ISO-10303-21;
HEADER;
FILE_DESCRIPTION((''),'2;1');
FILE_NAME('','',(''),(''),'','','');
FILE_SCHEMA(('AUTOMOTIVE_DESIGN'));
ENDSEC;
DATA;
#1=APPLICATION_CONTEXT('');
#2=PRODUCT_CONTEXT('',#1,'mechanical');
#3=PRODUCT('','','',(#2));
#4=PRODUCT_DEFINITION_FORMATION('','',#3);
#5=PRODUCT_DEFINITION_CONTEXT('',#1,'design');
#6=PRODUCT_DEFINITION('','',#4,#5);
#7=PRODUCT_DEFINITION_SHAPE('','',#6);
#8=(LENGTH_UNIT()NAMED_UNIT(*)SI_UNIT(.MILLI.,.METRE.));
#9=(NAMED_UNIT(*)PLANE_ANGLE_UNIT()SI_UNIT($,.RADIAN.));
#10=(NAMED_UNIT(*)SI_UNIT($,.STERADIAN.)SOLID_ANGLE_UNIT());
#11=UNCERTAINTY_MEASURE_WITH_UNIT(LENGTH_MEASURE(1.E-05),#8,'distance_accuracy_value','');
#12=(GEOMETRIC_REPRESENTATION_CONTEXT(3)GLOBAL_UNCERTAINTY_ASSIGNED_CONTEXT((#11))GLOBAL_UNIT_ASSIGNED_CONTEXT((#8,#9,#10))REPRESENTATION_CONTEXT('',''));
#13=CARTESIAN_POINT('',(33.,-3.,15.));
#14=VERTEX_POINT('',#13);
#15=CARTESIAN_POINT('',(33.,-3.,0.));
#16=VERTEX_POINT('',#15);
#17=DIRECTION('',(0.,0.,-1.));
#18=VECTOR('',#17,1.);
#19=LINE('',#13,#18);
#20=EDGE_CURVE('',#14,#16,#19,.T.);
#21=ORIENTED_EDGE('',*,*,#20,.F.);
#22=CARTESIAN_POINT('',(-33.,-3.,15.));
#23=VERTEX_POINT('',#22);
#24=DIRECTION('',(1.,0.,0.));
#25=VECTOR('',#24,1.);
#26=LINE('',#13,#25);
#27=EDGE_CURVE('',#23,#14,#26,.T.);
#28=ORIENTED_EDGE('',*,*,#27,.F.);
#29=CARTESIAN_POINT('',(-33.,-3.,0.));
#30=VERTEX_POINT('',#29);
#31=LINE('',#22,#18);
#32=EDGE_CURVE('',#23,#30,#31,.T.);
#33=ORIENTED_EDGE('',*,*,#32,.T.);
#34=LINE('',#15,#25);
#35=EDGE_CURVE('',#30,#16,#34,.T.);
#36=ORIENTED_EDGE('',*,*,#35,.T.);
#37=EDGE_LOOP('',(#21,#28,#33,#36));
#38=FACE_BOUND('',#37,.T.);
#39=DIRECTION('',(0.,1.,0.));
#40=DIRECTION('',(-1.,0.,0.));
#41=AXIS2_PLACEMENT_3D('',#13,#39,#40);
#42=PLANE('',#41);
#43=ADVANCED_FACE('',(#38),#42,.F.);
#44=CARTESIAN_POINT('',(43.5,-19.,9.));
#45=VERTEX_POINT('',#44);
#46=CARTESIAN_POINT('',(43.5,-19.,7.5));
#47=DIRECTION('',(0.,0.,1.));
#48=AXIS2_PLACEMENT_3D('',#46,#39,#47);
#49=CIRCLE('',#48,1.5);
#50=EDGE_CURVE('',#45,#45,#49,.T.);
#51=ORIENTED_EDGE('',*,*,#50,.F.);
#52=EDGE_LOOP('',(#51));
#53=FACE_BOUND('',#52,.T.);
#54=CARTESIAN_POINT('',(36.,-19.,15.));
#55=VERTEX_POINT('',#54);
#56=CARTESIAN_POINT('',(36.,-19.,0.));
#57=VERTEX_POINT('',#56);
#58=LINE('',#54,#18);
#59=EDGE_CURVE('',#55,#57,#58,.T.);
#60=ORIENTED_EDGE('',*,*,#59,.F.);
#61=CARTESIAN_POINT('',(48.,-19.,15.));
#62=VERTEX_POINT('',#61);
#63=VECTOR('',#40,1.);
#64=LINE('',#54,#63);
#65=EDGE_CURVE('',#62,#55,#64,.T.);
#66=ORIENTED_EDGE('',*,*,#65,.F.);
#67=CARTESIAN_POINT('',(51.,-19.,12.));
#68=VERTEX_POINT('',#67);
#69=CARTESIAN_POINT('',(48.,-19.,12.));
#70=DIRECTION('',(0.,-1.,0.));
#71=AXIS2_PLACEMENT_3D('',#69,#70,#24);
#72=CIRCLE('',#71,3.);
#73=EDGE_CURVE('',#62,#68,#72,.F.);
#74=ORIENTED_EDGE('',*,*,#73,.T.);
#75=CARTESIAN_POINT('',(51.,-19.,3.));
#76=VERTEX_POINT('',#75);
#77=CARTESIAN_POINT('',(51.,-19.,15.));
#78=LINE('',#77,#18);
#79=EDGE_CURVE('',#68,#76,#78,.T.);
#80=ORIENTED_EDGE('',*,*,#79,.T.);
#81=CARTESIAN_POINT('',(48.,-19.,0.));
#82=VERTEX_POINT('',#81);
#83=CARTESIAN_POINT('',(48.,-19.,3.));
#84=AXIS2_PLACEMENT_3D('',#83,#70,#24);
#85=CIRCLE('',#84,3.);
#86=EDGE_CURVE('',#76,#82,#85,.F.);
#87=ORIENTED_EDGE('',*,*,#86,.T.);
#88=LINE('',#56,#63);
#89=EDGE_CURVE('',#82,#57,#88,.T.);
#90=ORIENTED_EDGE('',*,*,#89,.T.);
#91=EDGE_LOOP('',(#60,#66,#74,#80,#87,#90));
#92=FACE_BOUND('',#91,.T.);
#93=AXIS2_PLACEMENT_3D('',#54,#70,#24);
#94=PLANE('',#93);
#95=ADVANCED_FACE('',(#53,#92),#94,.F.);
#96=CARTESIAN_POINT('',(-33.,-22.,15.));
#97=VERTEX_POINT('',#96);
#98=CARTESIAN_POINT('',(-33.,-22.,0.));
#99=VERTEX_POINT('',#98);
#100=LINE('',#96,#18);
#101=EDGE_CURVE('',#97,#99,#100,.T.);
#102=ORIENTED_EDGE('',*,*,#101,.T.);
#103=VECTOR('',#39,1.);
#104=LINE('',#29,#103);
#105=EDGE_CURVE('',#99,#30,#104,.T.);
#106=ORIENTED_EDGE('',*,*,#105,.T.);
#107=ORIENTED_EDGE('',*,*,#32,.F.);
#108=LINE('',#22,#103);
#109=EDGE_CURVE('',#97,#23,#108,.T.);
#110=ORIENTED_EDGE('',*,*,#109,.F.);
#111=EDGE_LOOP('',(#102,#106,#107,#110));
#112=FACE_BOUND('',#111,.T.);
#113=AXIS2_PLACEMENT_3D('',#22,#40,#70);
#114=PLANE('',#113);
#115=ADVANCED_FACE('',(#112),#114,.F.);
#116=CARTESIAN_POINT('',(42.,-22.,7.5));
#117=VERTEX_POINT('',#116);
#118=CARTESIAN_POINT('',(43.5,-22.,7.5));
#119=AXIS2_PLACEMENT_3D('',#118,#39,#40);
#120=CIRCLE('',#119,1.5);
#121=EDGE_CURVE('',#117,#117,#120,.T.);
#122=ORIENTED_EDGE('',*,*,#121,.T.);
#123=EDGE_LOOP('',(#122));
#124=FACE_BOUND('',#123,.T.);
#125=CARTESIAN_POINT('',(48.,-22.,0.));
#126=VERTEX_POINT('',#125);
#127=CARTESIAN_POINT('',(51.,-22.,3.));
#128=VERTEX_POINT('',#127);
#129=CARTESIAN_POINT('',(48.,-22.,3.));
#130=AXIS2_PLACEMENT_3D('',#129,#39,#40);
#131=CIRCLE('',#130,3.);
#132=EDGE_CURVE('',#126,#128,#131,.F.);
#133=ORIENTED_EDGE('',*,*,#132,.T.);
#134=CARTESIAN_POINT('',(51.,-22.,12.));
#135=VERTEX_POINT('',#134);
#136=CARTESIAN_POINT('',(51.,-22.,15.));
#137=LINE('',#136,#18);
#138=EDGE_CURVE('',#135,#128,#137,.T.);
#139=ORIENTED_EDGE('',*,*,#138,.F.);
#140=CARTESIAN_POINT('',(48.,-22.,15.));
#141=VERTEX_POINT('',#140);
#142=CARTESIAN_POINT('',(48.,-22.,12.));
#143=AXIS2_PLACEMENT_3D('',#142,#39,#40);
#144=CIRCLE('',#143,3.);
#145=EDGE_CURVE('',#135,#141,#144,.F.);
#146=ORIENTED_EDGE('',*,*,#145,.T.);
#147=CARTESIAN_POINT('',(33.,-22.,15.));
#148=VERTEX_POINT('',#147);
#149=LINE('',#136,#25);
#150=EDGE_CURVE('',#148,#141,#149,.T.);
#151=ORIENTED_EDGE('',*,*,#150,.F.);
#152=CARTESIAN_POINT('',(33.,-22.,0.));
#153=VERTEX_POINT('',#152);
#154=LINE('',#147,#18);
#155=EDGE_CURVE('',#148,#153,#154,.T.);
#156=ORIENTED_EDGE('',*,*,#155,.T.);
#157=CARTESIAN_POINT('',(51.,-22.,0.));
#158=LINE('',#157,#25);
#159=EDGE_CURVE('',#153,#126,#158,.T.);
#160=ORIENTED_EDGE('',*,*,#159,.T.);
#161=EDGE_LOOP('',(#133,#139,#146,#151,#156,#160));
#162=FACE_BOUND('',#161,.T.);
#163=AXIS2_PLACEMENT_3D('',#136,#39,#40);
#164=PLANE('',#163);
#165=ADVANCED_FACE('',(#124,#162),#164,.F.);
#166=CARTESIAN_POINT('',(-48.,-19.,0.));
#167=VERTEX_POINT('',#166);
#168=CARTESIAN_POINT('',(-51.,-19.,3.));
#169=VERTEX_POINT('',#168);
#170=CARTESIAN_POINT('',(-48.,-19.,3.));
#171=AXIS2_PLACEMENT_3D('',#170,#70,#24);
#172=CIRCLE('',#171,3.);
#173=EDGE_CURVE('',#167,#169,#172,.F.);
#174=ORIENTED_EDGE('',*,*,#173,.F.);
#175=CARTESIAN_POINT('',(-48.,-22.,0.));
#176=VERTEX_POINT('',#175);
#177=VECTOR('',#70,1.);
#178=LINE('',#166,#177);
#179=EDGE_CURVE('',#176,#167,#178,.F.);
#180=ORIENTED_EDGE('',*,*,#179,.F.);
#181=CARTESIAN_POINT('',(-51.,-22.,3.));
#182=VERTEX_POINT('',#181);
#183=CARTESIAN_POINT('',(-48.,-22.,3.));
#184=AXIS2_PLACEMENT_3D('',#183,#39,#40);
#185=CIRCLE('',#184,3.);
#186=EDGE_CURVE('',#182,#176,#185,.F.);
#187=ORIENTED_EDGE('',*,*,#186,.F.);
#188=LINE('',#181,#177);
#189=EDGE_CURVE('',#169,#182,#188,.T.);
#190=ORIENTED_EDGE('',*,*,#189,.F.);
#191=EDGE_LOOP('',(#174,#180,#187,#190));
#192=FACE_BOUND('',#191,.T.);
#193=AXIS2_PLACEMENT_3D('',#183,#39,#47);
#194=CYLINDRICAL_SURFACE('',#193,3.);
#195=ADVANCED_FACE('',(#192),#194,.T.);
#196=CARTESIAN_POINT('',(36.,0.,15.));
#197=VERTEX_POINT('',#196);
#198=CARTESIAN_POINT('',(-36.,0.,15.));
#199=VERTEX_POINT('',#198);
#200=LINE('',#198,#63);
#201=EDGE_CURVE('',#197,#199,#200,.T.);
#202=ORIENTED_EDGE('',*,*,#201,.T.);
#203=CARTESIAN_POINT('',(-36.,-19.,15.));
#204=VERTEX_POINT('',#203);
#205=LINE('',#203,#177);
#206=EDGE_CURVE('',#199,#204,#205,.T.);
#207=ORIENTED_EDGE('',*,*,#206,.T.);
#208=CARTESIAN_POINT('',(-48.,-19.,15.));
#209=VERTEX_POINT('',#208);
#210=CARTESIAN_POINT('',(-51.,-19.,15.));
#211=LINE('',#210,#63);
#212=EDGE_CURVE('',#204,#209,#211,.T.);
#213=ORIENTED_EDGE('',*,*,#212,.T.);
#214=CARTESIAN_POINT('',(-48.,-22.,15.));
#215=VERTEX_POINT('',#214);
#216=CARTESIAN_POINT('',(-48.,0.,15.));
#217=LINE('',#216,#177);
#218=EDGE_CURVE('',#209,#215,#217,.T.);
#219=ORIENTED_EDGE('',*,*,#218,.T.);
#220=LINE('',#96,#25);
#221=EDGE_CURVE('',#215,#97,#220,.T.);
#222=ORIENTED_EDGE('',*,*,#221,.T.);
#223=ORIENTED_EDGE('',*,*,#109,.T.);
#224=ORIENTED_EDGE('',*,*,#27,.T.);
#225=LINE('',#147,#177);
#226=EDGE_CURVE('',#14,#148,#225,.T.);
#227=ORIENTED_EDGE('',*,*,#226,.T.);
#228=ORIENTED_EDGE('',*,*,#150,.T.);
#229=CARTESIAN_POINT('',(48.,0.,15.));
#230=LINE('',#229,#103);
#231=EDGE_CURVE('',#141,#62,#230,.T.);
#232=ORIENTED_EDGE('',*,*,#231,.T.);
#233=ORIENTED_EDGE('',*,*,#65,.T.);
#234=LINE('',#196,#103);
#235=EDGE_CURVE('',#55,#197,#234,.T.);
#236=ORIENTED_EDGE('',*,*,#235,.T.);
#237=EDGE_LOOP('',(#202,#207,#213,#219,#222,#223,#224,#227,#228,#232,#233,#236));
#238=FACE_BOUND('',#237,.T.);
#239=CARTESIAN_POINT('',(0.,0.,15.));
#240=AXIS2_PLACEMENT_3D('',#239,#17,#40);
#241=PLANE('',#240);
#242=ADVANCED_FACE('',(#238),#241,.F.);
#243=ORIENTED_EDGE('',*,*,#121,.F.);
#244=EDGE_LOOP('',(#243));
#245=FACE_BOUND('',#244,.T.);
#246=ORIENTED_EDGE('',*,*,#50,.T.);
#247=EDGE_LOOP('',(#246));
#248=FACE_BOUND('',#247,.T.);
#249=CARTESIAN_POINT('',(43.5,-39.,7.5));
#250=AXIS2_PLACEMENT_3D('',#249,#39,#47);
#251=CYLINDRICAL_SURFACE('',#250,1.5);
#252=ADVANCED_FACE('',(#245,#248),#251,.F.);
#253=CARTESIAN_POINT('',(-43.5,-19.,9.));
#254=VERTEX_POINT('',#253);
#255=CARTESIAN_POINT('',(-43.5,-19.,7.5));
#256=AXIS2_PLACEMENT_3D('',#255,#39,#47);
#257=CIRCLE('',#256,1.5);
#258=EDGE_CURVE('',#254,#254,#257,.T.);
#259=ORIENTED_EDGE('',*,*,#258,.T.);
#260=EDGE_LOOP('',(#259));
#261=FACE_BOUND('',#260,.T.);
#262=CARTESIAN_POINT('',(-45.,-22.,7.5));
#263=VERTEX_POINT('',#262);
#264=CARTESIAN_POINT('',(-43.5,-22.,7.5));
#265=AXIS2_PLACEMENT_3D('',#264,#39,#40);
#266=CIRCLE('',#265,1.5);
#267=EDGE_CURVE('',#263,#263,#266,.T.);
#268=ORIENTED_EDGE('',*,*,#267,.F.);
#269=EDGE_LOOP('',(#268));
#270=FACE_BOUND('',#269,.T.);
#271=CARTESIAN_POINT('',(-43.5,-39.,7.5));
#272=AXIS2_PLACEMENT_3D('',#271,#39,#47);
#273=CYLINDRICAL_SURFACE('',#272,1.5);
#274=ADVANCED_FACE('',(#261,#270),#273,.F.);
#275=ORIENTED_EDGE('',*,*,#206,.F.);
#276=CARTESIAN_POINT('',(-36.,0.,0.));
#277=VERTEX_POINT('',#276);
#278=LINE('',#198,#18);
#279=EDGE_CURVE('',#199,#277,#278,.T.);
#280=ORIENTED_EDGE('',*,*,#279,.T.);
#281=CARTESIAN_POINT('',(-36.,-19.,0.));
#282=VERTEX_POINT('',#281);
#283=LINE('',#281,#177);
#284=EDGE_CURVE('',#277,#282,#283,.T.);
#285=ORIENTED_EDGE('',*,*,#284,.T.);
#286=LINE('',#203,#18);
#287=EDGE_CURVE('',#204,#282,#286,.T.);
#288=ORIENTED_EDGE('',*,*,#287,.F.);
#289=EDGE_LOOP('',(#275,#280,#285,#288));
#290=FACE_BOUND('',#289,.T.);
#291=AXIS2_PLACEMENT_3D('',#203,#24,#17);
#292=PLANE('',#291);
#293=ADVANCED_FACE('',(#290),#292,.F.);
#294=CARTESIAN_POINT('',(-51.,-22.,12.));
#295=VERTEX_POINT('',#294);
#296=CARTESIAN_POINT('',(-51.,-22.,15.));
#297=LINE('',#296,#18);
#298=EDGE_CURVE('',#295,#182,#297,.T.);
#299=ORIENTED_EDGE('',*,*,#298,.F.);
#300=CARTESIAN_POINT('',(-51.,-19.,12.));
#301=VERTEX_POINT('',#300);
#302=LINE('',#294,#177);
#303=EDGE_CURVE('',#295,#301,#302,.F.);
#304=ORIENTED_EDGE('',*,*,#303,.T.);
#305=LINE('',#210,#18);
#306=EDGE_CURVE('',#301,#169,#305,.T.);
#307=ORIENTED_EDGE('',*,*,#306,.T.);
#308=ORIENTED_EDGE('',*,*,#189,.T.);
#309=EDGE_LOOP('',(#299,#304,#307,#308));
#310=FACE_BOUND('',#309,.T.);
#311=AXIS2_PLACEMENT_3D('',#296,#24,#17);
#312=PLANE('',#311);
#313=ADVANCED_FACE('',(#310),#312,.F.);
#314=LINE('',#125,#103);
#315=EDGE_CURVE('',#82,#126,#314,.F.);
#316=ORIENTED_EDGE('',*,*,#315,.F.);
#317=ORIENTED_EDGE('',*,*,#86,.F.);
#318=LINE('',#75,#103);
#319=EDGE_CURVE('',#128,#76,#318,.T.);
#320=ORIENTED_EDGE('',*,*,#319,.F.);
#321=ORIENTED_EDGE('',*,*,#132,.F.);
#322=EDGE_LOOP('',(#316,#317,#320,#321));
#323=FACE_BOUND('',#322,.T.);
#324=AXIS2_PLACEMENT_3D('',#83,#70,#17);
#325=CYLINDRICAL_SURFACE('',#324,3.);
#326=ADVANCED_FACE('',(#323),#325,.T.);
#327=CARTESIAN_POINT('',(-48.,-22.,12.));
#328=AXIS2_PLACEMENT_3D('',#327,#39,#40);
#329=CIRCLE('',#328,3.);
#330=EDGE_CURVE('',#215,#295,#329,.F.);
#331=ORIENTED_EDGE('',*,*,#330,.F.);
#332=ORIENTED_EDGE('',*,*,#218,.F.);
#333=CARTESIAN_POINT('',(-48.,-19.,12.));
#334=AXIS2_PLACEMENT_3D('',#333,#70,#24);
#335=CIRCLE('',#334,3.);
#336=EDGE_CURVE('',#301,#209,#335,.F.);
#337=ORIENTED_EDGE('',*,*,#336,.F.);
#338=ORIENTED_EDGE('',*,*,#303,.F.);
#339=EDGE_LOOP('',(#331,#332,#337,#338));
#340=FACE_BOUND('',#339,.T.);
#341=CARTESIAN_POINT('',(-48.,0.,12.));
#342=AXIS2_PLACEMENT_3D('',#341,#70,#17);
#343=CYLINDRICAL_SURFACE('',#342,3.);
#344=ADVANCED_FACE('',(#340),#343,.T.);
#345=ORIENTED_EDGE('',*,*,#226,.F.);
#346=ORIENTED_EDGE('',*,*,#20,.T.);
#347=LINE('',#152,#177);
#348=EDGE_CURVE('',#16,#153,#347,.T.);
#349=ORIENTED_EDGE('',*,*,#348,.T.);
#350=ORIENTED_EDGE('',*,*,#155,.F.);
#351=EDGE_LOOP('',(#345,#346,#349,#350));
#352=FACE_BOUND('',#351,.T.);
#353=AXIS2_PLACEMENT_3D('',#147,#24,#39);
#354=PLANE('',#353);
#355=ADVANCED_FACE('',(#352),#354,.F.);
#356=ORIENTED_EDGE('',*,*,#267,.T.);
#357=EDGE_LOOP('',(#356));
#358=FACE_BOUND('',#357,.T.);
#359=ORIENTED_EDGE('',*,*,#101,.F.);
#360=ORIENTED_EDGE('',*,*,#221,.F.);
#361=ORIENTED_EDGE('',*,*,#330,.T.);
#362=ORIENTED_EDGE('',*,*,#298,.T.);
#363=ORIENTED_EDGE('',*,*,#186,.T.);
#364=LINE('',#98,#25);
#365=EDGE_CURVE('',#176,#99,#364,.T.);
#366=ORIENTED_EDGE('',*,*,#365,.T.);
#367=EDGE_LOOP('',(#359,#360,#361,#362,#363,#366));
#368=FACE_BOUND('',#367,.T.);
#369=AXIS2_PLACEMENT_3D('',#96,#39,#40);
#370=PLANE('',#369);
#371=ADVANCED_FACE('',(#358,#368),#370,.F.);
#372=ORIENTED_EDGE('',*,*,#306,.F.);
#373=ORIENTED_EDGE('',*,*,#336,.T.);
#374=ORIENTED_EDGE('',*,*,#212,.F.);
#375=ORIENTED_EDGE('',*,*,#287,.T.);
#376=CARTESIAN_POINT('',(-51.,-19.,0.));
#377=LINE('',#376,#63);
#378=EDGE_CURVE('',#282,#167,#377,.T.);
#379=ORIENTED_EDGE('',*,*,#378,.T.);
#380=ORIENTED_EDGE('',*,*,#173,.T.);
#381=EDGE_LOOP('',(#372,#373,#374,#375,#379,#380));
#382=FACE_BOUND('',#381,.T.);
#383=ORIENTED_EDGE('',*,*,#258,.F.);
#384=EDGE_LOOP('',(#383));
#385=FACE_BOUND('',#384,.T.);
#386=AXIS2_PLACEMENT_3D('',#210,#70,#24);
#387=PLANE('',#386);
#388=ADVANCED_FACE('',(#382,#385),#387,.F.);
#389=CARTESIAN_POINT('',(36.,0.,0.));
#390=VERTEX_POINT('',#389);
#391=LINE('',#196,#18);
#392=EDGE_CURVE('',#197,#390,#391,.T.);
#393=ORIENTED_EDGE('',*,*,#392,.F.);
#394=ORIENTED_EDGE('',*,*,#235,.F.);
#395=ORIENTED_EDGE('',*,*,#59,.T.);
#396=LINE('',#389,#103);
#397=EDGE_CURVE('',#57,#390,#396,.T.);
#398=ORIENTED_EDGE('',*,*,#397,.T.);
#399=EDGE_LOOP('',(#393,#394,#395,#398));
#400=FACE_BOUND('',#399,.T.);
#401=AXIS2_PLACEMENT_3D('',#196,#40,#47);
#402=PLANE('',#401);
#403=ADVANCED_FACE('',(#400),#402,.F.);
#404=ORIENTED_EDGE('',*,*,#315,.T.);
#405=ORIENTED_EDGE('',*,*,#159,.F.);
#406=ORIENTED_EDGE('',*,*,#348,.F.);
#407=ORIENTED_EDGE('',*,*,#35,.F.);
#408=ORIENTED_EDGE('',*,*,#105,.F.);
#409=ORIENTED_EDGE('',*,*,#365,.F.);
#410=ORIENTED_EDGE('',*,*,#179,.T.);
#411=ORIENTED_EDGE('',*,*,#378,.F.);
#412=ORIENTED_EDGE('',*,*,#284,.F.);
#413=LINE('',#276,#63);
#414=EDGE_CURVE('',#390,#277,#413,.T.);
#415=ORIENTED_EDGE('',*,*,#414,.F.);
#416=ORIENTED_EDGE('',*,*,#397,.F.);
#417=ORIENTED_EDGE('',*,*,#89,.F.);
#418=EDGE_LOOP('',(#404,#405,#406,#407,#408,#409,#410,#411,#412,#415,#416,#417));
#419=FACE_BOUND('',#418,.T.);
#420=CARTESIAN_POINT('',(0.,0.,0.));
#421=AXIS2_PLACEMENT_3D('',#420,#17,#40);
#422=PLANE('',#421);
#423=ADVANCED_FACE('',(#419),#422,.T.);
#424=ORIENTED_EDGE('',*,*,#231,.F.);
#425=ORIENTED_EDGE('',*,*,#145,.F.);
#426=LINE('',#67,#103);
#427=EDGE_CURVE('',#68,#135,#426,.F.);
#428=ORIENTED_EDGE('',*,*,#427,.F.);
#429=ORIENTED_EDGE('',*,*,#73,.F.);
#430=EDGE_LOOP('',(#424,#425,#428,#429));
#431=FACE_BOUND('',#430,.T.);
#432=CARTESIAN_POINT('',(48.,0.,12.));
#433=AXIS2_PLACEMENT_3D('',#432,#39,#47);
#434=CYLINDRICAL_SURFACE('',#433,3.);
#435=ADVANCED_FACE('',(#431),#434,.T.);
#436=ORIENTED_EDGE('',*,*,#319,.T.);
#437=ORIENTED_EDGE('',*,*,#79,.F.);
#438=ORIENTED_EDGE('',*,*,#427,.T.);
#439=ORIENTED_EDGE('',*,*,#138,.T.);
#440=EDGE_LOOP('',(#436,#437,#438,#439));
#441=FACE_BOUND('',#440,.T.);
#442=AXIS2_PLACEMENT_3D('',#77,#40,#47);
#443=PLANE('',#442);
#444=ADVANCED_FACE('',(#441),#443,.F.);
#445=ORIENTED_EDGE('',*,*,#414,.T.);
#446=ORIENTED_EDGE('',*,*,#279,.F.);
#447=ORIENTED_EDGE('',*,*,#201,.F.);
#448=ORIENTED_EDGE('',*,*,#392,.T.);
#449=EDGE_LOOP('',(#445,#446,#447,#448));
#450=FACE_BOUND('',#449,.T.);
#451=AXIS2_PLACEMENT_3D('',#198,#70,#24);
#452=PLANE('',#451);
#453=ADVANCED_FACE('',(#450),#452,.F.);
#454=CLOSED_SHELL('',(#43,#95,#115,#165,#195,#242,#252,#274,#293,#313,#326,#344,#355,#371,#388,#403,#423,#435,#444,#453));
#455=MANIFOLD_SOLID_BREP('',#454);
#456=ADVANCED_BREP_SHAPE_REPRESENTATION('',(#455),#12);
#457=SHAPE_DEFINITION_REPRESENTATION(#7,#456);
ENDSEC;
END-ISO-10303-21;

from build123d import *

# Parameters (mm, degrees)
EXTRUDE_1_DEPTH     = 15
SKETCH_2_R          = 1.5
CUT_EXTRUDE_1_DEPTH = 20
FILLET_1_R          = 3


with BuildPart() as part:
    # 草图1 → 凸台-拉伸1 (new body)
    with BuildSketch(Plane.XY):
        Polygon((-36, 0), (36, 0), (36, -19), (51, -19), (51, -22), (33, -22), (33, -3), (-33, -3), (-33, -22), (-51, -22), (-51, -19), (-36, -19), align=None)
    extrude(amount=EXTRUDE_1_DEPTH)

    # 草图2 → 切除-拉伸1 (cut)
    with BuildSketch(Plane(origin=(0, -19, 0), x_dir=(1, 0, 0), z_dir=(0, 1, 0))):
        with Locations(Location((-43.5, -7.5, 0), (0, 0, 270))):
            Circle(SKETCH_2_R)
        with Locations(Location((43.5, -7.5, 0), (0, 0, 270))):
            Circle(SKETCH_2_R)
    extrude(amount=-CUT_EXTRUDE_1_DEPTH, mode=Mode.SUBTRACT)

    # 圆角1
    fillet_1_edges = [part.edges().sort_by_distance(p)[0] for p in [
        (-51, -20.5, 15),
        (51, -20.5, 0),
        (-51, -20.5, 0),
        (51, -20.5, 15),
    ]]
    fillet(fillet_1_edges, radius=FILLET_1_R)


solid = part.part
